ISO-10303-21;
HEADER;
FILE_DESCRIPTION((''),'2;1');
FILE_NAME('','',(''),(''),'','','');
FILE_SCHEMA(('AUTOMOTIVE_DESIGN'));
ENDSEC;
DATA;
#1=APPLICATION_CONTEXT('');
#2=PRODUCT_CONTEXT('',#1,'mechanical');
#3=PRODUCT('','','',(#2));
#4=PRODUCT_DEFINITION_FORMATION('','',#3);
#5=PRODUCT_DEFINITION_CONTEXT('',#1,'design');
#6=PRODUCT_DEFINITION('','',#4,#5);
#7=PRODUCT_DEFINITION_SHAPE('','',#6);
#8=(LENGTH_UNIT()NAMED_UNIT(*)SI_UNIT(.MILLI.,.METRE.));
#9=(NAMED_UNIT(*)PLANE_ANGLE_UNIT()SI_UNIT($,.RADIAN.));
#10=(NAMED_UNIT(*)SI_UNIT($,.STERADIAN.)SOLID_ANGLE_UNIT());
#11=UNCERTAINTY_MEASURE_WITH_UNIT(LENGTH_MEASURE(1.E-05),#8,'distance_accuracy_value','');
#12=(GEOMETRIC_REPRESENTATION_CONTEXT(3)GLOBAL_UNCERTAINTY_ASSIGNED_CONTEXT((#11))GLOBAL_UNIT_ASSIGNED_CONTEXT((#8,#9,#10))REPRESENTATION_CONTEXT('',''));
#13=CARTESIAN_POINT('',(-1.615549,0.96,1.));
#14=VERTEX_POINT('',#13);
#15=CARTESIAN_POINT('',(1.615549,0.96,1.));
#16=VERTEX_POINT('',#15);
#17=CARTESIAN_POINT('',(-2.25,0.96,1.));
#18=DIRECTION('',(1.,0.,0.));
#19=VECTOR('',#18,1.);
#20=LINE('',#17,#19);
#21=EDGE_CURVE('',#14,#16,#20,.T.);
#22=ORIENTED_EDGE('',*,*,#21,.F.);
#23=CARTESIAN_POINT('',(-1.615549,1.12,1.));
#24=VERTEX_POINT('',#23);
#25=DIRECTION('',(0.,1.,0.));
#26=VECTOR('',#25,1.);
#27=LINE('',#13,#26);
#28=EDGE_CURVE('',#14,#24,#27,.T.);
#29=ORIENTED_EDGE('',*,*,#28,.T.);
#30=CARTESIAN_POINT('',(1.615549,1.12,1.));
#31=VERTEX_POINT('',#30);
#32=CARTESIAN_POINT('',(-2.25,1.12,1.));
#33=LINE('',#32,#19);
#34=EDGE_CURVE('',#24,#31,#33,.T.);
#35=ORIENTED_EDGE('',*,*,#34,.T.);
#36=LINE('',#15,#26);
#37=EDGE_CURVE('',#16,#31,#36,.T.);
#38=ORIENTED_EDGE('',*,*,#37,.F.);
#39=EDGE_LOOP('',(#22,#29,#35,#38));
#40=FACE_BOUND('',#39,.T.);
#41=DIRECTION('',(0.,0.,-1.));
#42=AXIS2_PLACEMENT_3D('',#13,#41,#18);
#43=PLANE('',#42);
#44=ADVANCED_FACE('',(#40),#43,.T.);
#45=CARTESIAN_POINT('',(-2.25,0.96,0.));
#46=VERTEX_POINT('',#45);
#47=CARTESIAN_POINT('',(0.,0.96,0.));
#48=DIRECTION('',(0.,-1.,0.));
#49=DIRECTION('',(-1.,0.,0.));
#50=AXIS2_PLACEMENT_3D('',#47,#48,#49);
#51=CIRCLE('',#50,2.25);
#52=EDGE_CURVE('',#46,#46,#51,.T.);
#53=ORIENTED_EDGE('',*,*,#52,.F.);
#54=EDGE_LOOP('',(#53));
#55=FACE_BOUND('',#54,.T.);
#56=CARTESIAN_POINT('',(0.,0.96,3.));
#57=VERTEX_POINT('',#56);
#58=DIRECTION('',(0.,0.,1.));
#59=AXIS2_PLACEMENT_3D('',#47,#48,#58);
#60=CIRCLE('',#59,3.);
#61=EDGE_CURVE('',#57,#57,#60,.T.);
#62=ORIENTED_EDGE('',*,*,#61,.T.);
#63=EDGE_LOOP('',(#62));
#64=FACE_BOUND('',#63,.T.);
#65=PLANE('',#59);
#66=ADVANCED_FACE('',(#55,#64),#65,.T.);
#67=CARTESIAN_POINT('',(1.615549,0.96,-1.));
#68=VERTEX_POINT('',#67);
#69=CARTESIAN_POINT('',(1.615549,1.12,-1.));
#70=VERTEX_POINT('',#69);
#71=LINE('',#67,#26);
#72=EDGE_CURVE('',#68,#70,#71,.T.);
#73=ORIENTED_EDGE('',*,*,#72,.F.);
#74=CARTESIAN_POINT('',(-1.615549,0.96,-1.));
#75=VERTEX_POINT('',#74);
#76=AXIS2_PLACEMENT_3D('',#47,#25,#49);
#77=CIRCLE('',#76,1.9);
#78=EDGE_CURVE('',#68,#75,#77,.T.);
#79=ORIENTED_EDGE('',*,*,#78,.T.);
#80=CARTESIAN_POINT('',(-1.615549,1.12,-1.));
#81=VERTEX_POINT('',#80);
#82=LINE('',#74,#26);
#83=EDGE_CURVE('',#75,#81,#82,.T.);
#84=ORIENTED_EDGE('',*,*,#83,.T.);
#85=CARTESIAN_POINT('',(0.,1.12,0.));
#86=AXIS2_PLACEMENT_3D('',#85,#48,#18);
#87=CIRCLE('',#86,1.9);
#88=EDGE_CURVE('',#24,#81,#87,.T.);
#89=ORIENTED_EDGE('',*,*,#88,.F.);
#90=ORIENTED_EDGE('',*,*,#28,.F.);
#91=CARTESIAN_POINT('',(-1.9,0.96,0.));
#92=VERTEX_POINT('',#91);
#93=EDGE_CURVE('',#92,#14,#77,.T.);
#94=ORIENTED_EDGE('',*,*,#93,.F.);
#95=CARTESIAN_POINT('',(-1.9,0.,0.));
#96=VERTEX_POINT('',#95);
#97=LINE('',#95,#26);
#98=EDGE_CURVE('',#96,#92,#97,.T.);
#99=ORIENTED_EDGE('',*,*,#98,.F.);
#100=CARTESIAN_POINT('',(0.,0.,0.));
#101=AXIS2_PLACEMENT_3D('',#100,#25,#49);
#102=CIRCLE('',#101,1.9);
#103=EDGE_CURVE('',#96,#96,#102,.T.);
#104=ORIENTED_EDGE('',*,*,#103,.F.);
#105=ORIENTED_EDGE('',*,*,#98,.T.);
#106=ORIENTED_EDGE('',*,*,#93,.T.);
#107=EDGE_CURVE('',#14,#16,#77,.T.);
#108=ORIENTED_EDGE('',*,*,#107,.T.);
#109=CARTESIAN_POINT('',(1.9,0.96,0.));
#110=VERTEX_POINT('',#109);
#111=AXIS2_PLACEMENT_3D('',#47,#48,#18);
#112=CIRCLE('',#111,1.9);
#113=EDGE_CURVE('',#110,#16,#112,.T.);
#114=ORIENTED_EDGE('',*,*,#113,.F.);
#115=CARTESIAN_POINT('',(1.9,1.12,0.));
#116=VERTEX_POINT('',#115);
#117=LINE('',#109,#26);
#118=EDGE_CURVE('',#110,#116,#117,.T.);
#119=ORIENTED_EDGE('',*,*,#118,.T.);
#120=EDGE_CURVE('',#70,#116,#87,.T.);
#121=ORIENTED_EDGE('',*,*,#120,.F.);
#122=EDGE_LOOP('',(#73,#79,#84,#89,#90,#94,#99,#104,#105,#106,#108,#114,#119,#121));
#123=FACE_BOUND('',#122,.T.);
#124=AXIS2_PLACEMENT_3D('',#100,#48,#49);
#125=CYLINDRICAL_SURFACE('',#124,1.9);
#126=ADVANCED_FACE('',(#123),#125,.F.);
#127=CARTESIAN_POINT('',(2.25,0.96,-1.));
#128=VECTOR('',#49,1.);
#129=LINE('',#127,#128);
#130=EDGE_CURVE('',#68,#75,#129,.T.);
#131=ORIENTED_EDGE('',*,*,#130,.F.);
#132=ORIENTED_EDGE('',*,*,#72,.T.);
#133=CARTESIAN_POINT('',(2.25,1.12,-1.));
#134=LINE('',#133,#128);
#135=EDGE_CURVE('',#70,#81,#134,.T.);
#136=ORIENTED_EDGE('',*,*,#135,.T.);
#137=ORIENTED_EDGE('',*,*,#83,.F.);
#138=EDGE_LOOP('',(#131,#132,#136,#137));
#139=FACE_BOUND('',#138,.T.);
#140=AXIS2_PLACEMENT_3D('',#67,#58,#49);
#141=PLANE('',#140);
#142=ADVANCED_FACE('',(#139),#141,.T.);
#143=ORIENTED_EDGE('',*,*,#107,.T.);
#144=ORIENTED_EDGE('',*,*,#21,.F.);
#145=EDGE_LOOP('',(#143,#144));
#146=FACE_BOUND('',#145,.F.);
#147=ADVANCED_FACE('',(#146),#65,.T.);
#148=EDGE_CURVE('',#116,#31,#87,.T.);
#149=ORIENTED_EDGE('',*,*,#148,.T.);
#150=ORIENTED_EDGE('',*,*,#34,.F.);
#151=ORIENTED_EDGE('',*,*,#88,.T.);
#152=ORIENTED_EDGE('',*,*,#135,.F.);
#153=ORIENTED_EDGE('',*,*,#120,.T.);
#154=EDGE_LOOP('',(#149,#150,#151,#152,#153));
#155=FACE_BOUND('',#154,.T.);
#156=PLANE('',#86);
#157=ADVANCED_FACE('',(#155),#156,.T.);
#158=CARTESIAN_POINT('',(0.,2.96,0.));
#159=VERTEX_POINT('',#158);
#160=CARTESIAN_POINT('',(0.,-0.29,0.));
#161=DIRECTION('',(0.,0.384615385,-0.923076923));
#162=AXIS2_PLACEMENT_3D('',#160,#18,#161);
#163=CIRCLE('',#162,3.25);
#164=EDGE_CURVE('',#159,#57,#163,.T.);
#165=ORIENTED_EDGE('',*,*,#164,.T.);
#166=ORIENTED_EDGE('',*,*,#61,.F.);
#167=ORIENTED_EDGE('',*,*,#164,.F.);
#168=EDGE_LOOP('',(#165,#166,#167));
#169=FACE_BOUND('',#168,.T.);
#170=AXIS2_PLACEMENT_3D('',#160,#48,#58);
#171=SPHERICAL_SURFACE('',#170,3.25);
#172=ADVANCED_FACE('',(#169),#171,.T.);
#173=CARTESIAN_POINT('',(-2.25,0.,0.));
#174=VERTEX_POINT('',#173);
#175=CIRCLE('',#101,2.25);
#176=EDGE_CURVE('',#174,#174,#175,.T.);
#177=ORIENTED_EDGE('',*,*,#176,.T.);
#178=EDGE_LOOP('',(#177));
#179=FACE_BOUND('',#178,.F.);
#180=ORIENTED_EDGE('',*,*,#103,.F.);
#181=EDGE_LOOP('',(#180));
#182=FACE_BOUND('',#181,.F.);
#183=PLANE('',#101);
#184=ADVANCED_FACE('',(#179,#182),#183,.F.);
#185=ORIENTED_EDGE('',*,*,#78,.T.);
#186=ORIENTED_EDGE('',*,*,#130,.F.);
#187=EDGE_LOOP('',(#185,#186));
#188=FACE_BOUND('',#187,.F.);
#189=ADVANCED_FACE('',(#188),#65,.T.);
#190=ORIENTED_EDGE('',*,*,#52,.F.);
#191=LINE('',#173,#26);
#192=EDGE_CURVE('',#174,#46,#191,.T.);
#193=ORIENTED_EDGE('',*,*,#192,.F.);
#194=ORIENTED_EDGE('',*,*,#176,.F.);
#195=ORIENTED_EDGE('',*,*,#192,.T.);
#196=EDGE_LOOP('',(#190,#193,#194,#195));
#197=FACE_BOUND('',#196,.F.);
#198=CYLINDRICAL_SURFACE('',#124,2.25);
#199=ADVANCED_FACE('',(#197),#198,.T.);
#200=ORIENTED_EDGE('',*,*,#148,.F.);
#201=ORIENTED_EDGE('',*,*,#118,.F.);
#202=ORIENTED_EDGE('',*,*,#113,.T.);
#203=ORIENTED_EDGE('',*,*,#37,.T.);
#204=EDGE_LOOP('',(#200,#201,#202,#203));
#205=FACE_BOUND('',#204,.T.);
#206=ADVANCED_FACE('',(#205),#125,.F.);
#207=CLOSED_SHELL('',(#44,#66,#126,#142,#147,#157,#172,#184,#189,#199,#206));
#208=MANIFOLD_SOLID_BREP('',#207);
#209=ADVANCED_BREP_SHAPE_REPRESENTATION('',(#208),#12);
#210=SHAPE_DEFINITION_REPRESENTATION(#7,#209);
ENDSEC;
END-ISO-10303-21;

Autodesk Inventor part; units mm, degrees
ref_plane "YZ Plane" through (0, 0, 0) normal (1, 0, 0) x (0, 1, 0)
ref_plane "XZ Plane" through (0, 0, 0) normal (0, 1, 0) x (-1, 0, 0)
ref_plane "XY Plane" through (0, 0, 0) normal (0, 0, 1) x (1, 0, 0)
sketch "Sketch1" plane through (0, 0, 0) normal (0, 1, 0) x (-1, 0, 0)
  circle A0 centre (0, 0) radius 2.25
  circle A1 centre (0, 0) radius 1.9
  dimension "d0" = 4.5
  dimension "d1" = 3.8
extrude "Extrusion1" add sketch "Sketch1" along normal blind 0.96
sketch "Sketch2" plane through (0, 0, 0) normal (1, 0, 0) x (0, 1, 0)
  arc A0 (0.96, -3) -> (0.96, 3) centre (-0.29, 0) ccw
  line L0 (0.96, -2.25) -> (0.96, 2.25) projected
  line L1 (0.96, 3) -> (0.96, 2.25)
  line L2 (0.96, -3) -> (0.96, -2.25)
  line L3 (2.96, 0) -> (0.96, 0)
  point P0 (0, 0)
  dimension "d4" = 2
  dimension "d5" = 3
revolve "Revolution1" add sketch "Sketch2" angle 360 about axis through (0, 2.96, 0) along (0, -1, 0) contours L3 L0 L1 A0
sketch "Sketch3" plane through (0, 0.96, 0) normal (0, -1, 0) x (1, 0, 0)
  line L0 (-2.25, 1) -> (2.25, 1)
  line L1 (2.25, 1) -> (2.25, -1)
  line L2 (2.25, -1) -> (-2.25, -1)
  line L3 (-2.25, -1) -> (-2.25, 1)
  line L4 (-2.25, 1) -> (2.25, -1) construction
  line L5 (2.25, 1) -> (-2.25, -1) construction
  circle A0 centre (0, 0) radius 2.25 projected
  circle A1 centre (0, 0) radius 1.9 projected
  point P0 (1.6155, 1)
  point P1 (-1.6155, 1)
  point P2 (-1.6155, -1)
  point P3 (1.6155, -1)
  dimension "d7" = 2
extrude "Extrusion2" cut sketch "Sketch3" against normal blind 0.16 contours L0 A1 L2
properties part number "Hephaestus38v2 Case Feet" material "Thermoplastic Resin"
